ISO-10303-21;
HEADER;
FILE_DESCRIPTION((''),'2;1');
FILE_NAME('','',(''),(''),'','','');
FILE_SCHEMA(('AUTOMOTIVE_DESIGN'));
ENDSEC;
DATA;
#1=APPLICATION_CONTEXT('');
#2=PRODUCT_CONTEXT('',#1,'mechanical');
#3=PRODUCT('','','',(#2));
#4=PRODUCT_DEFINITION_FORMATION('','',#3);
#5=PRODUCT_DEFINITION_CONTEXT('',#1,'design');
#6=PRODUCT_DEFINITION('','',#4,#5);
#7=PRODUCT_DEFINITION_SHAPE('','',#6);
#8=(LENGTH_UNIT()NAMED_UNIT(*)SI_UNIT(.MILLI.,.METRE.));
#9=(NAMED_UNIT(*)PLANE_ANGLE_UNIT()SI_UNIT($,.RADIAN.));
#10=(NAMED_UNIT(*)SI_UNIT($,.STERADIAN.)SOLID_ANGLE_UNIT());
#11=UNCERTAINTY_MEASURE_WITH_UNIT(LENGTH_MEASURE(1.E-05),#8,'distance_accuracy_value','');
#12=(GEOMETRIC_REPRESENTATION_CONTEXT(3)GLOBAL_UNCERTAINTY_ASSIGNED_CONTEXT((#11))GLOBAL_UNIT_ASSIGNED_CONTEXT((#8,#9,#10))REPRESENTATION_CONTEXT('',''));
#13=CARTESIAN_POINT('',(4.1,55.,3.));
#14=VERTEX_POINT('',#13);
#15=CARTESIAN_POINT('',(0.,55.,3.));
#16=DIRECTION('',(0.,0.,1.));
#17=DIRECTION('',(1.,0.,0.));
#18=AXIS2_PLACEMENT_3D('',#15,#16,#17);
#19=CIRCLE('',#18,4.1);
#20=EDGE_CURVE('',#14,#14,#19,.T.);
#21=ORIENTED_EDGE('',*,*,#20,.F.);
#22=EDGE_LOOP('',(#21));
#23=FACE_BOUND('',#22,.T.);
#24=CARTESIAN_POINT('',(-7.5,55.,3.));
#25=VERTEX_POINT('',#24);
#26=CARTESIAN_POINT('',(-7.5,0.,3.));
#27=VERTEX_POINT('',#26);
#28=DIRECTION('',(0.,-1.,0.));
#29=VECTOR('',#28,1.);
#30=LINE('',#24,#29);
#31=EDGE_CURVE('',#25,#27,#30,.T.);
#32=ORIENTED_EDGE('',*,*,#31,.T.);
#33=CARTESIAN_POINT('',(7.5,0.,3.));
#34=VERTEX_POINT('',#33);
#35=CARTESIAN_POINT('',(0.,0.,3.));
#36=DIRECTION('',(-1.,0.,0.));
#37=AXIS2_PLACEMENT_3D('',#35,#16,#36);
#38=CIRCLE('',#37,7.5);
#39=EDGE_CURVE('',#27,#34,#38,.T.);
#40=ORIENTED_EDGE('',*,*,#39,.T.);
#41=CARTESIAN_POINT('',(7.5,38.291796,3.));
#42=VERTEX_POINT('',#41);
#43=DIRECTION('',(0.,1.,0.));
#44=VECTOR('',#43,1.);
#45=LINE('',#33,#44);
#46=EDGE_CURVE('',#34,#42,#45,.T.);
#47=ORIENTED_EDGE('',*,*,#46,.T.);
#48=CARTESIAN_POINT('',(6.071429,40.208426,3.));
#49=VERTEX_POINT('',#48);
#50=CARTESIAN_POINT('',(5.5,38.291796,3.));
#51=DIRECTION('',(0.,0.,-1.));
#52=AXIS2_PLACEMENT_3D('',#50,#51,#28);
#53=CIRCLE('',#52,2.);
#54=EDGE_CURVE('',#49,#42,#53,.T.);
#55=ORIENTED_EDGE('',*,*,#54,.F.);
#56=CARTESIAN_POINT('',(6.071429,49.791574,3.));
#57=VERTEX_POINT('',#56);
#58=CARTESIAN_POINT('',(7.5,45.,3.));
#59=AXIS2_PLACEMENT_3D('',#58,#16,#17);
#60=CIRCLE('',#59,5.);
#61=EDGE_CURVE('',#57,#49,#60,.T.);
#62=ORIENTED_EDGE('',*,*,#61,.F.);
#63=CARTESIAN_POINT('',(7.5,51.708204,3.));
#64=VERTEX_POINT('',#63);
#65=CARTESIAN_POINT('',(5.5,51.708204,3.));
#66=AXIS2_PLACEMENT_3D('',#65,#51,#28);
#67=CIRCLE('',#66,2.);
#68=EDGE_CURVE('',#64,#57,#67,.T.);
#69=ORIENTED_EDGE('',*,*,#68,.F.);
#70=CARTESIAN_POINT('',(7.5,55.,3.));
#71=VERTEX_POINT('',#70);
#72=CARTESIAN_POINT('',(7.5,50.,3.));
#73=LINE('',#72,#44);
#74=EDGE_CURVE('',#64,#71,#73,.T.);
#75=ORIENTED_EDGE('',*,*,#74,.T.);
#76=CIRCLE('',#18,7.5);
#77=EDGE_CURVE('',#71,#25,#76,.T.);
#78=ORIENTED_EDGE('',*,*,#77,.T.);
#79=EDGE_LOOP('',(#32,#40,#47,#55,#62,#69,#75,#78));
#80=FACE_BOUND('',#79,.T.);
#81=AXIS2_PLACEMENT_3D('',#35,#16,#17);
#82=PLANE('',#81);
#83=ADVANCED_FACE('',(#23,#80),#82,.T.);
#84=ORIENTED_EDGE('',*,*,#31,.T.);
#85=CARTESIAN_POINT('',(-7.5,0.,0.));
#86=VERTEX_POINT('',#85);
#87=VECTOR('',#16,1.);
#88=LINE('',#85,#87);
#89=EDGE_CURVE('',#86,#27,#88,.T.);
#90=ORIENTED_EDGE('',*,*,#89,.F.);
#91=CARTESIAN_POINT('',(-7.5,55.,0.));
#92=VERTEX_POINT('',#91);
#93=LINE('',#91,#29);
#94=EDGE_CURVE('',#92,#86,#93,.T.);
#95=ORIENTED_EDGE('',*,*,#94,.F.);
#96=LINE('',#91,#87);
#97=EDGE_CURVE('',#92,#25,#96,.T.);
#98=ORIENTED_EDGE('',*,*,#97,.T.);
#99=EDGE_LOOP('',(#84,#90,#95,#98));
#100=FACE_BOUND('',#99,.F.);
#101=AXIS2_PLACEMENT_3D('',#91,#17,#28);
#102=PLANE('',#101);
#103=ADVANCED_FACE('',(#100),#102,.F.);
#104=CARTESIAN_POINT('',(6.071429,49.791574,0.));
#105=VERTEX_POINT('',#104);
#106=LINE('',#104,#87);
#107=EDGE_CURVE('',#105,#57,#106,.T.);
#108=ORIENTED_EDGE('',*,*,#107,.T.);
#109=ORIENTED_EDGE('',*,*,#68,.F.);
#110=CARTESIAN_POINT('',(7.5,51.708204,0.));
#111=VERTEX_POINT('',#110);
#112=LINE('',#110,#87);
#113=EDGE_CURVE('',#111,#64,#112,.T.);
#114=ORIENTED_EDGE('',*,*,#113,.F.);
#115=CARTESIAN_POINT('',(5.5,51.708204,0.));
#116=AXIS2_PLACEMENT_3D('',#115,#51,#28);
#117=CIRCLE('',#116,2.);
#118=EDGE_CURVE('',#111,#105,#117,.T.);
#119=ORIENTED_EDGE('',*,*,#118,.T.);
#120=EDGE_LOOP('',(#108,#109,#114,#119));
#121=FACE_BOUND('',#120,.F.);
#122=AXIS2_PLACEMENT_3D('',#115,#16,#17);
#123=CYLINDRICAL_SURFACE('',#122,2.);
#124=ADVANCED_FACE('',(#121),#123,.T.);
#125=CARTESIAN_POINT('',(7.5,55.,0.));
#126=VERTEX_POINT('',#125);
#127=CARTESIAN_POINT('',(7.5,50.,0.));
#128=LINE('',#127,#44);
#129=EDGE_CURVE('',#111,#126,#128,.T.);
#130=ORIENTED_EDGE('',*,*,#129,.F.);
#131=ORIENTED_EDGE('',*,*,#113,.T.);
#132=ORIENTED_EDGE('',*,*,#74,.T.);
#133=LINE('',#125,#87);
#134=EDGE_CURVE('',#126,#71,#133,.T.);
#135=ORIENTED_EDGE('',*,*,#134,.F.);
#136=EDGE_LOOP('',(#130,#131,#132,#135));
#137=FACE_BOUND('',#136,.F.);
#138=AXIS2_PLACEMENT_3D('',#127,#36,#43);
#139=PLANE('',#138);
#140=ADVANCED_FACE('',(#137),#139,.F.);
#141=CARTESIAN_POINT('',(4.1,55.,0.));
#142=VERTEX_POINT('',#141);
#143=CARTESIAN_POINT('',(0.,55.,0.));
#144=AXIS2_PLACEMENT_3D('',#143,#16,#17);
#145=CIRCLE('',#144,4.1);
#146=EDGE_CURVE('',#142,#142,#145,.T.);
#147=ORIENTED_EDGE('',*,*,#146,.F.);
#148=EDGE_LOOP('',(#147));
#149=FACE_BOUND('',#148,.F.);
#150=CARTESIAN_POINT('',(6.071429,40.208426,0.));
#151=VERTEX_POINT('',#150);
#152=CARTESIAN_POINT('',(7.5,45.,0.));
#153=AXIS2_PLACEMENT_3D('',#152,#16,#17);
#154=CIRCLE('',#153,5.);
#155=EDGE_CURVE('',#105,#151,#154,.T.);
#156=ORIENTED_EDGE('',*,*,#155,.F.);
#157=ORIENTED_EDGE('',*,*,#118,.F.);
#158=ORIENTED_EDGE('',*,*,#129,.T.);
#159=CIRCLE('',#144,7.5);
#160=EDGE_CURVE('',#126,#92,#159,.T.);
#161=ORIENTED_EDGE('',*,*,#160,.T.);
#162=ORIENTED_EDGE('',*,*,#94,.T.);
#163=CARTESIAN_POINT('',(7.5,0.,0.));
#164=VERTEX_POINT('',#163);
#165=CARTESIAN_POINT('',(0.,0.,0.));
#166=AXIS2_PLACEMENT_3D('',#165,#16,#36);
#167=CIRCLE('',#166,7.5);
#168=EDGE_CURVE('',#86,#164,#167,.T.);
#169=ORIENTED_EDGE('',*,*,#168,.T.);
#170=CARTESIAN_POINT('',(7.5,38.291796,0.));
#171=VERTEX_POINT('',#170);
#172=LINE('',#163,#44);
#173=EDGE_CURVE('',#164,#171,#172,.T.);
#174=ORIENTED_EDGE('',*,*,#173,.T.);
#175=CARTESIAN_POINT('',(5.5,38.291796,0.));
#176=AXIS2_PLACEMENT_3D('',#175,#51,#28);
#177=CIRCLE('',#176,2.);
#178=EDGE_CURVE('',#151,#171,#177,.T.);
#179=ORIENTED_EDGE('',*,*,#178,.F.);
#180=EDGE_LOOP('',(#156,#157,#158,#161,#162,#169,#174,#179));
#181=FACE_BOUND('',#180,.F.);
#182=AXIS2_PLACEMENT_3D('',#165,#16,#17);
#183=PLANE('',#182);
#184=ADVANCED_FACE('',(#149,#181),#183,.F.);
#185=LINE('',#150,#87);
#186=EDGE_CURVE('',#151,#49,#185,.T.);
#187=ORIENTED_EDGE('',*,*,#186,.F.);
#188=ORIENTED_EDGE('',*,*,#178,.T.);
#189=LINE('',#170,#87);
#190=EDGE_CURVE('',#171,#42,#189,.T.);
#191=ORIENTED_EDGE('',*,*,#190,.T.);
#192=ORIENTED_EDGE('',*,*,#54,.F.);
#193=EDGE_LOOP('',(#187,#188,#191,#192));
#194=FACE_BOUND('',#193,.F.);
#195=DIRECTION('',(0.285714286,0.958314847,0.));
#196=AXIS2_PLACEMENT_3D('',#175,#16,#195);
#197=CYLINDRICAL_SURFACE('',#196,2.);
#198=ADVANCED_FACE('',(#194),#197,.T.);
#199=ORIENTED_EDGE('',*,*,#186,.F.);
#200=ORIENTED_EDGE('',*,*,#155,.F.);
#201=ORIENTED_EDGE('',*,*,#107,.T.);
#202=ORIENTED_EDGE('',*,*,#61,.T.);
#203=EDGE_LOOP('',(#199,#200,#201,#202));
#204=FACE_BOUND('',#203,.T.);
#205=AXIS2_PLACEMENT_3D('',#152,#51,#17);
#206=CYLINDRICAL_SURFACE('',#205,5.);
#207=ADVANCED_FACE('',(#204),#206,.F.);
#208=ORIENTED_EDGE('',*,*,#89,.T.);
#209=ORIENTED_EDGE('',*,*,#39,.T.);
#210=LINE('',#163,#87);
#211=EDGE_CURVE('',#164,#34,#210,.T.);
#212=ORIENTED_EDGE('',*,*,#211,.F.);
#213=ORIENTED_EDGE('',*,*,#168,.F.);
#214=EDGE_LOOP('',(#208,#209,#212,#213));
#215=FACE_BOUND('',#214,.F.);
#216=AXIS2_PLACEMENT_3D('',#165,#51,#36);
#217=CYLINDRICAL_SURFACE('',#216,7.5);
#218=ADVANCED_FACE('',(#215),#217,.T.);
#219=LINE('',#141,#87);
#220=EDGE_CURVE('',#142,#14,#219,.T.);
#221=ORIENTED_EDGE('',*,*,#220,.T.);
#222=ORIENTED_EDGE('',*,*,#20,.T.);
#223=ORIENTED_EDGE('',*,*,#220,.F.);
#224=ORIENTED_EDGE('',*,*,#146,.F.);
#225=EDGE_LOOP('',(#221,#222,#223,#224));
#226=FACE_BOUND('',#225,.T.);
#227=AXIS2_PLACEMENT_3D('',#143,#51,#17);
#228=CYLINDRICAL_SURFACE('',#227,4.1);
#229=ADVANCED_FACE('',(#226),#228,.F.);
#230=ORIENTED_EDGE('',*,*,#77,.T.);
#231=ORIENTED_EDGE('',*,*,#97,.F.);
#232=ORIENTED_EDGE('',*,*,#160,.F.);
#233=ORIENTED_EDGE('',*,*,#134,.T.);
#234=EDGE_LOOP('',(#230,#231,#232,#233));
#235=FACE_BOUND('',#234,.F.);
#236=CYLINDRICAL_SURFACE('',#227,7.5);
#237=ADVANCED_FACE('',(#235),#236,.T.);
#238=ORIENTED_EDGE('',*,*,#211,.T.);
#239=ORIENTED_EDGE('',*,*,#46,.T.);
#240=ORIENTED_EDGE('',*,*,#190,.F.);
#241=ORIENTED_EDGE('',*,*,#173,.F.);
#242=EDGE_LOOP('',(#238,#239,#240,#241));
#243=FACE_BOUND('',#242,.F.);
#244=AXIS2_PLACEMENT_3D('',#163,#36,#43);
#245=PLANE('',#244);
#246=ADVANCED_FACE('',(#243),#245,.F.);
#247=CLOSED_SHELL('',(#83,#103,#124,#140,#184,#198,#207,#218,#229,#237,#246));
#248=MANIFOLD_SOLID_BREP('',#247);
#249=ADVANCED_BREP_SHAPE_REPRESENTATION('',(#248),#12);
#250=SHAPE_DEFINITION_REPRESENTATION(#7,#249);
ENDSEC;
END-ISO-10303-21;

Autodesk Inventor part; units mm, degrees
ref_plane "YZ Plane" through (0, 0, 0) normal (1, 0, 0) x (0, 1, 0)
ref_plane "XZ Plane" through (0, 0, 0) normal (0, 1, 0) x (-1, 0, 0)
ref_plane "XY Plane" through (0, 0, 0) normal (0, 0, 1) x (1, 0, 0)
sketch "Sketch1" plane through (0, 0, 0) normal (0, 0, 1) x (1, 0, 0)
  circle A0 centre (0, 0) radius 4.1
  arc A1 (-7.5, 0) -> (7.5, 0) centre (0, 0) ccw
  circle A2 centre (0, 55) radius 4.1
  arc A3 (7.5, 55) -> (-7.5, 55) centre (0, 55) ccw
  line L0 (-7.5, 55) -> (-7.5, 0)
  circle A4 centre (7.5, 45) radius 5
  line L1 (7.5, 0) -> (7.5, 40)
  line L2 (7.5, 50) -> (7.5, 55)
  dimension "d0" = 55
  dimension "d1" = 15
  dimension "d2" = 8.2
  dimension "d3" = 8.2
  dimension "d4" = 10
  dimension "d5" = 10
  dimension "d8" = 15
  dimension "d10" = 15
extrude "Extrusion1" add sketch "Sketch1" along normal blind 3 contours A0 | L0 A3 L2 A4 L1 A1
fillet "Fillet1" radius 2 2 edges at (7.5, 50, 1.5) (7.5, 40, 1.5)
equation "\"d3\" = d2"
equation "\"d5\" = d4"
equation "\"d8\" = d10"
properties part number "Jambe" material "Aluminum 6061"
